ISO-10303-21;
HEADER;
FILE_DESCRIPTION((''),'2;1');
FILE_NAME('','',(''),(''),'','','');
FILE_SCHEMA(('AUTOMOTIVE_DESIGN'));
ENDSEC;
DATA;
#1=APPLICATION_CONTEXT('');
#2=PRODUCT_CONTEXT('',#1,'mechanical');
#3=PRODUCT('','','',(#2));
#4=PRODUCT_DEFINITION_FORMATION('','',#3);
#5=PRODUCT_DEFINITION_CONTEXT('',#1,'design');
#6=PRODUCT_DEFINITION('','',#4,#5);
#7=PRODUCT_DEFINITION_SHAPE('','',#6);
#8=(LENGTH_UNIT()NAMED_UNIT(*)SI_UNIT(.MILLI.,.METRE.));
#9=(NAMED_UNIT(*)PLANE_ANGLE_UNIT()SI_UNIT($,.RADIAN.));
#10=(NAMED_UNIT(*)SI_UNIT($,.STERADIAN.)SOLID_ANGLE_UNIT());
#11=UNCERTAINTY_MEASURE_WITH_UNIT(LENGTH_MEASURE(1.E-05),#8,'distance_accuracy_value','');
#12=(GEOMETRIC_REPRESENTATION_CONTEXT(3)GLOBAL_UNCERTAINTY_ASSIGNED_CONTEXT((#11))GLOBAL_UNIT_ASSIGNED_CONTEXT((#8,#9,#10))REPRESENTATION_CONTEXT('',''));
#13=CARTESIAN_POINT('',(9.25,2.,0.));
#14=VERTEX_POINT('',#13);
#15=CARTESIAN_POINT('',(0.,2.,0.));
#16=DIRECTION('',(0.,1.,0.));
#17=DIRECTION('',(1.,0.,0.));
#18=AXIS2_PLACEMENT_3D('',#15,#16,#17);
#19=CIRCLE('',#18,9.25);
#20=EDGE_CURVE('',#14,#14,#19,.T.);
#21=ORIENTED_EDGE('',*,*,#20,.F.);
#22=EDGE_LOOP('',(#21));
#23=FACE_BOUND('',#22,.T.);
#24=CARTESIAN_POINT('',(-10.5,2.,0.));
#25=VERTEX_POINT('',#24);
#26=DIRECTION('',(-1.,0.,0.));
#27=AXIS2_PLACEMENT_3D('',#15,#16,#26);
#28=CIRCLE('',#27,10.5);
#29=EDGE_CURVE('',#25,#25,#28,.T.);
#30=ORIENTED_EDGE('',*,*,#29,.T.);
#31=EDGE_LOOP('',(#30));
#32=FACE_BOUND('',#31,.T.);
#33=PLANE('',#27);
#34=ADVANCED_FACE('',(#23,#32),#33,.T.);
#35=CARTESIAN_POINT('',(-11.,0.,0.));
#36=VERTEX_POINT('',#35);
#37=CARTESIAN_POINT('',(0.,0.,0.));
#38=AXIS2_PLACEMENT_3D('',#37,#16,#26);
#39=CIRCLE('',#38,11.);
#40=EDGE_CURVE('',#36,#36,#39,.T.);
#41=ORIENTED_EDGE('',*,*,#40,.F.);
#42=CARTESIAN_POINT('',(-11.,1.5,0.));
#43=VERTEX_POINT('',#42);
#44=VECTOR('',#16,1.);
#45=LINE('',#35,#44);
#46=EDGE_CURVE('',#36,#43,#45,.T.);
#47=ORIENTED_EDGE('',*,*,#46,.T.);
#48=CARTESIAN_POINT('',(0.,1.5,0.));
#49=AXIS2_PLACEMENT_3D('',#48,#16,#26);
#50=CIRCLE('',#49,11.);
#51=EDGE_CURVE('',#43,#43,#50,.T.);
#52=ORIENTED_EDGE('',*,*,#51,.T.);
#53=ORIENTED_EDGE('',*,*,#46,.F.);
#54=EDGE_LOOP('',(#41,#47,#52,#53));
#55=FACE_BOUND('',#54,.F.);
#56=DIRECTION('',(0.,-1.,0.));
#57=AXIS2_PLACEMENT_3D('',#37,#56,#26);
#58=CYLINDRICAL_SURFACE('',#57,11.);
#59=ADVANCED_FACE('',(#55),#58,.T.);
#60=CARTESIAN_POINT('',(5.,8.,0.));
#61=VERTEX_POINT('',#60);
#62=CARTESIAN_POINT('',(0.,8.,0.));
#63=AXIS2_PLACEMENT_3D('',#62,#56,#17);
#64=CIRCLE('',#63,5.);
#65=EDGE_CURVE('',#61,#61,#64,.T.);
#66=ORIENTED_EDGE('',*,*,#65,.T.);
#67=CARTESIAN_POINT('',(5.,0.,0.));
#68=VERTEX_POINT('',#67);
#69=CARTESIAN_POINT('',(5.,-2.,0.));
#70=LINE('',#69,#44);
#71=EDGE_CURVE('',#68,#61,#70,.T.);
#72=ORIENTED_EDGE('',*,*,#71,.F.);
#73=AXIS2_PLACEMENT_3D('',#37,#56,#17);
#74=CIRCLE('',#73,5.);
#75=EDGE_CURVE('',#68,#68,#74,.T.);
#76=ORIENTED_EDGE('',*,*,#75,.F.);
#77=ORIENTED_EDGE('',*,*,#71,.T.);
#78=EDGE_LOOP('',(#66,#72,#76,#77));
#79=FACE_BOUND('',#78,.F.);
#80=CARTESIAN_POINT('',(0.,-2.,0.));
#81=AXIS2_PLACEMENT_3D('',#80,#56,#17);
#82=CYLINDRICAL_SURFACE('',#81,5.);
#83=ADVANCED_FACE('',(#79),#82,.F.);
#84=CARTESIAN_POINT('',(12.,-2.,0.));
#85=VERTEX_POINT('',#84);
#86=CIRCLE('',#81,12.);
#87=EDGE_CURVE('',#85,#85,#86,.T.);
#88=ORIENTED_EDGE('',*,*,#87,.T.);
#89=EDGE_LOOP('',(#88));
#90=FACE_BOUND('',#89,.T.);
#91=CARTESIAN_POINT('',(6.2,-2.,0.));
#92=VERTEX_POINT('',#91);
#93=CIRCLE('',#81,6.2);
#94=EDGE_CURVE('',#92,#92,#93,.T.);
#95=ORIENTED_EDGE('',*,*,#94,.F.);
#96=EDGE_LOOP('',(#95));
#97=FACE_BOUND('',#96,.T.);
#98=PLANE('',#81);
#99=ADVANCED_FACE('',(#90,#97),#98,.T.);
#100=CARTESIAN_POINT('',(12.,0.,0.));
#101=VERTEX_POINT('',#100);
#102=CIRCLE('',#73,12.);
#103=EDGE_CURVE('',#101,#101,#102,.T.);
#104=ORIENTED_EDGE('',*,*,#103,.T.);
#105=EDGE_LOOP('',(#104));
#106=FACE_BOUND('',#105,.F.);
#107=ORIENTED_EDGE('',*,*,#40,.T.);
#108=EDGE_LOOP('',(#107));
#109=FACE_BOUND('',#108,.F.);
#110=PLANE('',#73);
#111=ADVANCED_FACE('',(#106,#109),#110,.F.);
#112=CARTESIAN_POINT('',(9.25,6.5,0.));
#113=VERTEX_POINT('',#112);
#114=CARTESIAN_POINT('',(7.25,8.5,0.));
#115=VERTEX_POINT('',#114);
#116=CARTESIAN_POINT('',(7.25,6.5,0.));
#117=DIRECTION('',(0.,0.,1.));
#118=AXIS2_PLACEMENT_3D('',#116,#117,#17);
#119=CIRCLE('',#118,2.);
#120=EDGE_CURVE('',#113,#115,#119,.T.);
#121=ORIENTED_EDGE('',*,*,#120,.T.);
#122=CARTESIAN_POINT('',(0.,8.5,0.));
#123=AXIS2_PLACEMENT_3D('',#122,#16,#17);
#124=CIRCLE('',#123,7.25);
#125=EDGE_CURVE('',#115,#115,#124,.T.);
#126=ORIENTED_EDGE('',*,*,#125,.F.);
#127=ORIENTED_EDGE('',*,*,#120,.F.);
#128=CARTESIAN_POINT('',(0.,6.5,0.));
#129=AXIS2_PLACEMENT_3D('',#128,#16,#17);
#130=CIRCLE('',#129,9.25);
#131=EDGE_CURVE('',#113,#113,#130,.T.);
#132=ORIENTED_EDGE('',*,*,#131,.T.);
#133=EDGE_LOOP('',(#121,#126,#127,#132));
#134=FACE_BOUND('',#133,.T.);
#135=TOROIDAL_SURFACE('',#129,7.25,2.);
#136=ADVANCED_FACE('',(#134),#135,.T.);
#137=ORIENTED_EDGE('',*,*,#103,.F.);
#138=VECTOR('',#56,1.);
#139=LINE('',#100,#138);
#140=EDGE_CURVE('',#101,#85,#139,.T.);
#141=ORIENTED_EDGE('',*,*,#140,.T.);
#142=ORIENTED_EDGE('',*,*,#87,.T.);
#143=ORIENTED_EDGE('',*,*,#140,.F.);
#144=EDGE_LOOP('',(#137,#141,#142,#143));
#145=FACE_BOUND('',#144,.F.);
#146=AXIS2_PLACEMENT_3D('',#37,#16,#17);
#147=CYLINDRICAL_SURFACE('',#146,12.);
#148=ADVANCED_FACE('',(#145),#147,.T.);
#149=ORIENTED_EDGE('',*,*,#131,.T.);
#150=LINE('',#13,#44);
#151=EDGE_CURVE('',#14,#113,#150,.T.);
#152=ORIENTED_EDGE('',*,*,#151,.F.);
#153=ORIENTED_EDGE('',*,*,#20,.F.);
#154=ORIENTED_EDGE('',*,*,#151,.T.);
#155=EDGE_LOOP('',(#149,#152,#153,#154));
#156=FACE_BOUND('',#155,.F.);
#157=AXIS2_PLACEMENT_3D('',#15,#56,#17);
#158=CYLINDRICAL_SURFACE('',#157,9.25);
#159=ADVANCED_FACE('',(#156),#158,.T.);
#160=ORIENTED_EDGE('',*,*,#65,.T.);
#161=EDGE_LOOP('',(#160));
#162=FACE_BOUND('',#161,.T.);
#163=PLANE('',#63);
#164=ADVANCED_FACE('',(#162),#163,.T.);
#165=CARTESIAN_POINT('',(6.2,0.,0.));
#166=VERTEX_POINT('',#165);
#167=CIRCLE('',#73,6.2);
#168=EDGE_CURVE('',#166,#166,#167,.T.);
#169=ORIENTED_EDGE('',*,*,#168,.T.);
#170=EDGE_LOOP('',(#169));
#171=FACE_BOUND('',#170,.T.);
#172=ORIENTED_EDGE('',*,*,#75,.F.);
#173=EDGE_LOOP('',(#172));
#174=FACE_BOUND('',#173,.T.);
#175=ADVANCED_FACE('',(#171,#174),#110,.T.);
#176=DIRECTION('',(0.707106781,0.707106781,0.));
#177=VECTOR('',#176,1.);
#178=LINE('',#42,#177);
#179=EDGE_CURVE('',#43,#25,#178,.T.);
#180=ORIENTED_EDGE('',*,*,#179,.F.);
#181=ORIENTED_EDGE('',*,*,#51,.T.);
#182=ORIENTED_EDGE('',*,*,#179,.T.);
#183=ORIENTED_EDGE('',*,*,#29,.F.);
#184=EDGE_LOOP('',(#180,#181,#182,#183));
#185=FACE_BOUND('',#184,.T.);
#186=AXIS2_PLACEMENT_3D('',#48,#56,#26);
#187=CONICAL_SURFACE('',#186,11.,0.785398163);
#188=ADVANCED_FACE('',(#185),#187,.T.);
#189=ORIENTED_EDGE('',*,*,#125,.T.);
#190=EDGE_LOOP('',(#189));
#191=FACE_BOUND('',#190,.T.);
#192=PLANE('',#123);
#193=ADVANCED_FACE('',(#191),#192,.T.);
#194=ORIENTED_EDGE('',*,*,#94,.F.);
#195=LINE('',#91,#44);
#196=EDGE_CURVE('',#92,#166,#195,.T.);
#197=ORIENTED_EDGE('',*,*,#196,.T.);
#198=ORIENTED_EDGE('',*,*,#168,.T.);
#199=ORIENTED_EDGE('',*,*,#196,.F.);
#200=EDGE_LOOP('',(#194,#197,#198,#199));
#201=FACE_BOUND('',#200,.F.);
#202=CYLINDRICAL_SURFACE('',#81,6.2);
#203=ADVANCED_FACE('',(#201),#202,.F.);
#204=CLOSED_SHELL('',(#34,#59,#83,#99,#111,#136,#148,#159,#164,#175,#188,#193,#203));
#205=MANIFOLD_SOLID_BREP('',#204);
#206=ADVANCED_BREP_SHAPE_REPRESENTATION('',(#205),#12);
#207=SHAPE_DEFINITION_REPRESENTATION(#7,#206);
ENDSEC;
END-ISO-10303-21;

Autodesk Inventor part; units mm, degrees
ref_plane "YZ Plane" through (0, 0, 0) normal (1, 0, 0) x (0, 1, 0)
ref_plane "XZ Plane" through (0, 0, 0) normal (0, 1, 0) x (-1, 0, 0)
ref_plane "XY Plane" through (0, 0, 0) normal (0, 0, 1) x (1, 0, 0)
sketch "Sketch1" plane through (0, 0, 0) normal (0, 1, 0) x (-1, 0, 0)
  circle A0 centre (0, 0) radius 11
  dimension "d0" = 22
extrude "Extrusion1" add sketch "Sketch1" along normal blind 2
sketch "Sketch2" plane through (0, 2, 0) normal (0, 1, 0) x (1, 0, 0)
  circle A0 centre (0, 0) radius 11 projected
  circle A1 centre (0, 0) radius 9.25
  dimension "d3" = 18.5
extrude "Extrusion2" add sketch "Sketch2" along normal blind 6.5 contours A1
fillet "Fillet1" radius 2 1 edges at (-9.25, 8.5, 0)
sketch "Sketch3" plane through (0, 0, 0) normal (0, -1, 0) x (1, 0, 0)
  circle A0 centre (0, 0) radius 11 projected
  circle A1 centre (0, 0) radius 12
  dimension "d7" = 24
extrude "Extrusion3" add sketch "Sketch3" along normal blind 2 contours A0 | A1
chamfer "Chamfer1" distance 0.5 angle 45 1 edges at (11, 2, 0)
sketch "Sketch4" plane through (0, -2, 0) normal (0, -1, 0) x (1, 0, 0)
  circle A0 centre (0, 0) radius 12 projected
  circle A1 centre (0, 0) radius 5
  dimension "d13" = 10
extrude "Extrusion4" cut sketch "Sketch4" against normal blind 10 contours A1
sketch "Sketch5" plane through (0, -2, 0) normal (0, -1, 0) x (1, 0, 0)
  circle A0 centre (0, 0) radius 5 projected
  circle A1 centre (0, 0) radius 12 projected
  circle A2 centre (0, 0) radius 6.2
  dimension "d16" = 12.4
extrude "Extrusion5" cut sketch "Sketch5" against normal blind 2 contours A2
properties part number "guzik"
